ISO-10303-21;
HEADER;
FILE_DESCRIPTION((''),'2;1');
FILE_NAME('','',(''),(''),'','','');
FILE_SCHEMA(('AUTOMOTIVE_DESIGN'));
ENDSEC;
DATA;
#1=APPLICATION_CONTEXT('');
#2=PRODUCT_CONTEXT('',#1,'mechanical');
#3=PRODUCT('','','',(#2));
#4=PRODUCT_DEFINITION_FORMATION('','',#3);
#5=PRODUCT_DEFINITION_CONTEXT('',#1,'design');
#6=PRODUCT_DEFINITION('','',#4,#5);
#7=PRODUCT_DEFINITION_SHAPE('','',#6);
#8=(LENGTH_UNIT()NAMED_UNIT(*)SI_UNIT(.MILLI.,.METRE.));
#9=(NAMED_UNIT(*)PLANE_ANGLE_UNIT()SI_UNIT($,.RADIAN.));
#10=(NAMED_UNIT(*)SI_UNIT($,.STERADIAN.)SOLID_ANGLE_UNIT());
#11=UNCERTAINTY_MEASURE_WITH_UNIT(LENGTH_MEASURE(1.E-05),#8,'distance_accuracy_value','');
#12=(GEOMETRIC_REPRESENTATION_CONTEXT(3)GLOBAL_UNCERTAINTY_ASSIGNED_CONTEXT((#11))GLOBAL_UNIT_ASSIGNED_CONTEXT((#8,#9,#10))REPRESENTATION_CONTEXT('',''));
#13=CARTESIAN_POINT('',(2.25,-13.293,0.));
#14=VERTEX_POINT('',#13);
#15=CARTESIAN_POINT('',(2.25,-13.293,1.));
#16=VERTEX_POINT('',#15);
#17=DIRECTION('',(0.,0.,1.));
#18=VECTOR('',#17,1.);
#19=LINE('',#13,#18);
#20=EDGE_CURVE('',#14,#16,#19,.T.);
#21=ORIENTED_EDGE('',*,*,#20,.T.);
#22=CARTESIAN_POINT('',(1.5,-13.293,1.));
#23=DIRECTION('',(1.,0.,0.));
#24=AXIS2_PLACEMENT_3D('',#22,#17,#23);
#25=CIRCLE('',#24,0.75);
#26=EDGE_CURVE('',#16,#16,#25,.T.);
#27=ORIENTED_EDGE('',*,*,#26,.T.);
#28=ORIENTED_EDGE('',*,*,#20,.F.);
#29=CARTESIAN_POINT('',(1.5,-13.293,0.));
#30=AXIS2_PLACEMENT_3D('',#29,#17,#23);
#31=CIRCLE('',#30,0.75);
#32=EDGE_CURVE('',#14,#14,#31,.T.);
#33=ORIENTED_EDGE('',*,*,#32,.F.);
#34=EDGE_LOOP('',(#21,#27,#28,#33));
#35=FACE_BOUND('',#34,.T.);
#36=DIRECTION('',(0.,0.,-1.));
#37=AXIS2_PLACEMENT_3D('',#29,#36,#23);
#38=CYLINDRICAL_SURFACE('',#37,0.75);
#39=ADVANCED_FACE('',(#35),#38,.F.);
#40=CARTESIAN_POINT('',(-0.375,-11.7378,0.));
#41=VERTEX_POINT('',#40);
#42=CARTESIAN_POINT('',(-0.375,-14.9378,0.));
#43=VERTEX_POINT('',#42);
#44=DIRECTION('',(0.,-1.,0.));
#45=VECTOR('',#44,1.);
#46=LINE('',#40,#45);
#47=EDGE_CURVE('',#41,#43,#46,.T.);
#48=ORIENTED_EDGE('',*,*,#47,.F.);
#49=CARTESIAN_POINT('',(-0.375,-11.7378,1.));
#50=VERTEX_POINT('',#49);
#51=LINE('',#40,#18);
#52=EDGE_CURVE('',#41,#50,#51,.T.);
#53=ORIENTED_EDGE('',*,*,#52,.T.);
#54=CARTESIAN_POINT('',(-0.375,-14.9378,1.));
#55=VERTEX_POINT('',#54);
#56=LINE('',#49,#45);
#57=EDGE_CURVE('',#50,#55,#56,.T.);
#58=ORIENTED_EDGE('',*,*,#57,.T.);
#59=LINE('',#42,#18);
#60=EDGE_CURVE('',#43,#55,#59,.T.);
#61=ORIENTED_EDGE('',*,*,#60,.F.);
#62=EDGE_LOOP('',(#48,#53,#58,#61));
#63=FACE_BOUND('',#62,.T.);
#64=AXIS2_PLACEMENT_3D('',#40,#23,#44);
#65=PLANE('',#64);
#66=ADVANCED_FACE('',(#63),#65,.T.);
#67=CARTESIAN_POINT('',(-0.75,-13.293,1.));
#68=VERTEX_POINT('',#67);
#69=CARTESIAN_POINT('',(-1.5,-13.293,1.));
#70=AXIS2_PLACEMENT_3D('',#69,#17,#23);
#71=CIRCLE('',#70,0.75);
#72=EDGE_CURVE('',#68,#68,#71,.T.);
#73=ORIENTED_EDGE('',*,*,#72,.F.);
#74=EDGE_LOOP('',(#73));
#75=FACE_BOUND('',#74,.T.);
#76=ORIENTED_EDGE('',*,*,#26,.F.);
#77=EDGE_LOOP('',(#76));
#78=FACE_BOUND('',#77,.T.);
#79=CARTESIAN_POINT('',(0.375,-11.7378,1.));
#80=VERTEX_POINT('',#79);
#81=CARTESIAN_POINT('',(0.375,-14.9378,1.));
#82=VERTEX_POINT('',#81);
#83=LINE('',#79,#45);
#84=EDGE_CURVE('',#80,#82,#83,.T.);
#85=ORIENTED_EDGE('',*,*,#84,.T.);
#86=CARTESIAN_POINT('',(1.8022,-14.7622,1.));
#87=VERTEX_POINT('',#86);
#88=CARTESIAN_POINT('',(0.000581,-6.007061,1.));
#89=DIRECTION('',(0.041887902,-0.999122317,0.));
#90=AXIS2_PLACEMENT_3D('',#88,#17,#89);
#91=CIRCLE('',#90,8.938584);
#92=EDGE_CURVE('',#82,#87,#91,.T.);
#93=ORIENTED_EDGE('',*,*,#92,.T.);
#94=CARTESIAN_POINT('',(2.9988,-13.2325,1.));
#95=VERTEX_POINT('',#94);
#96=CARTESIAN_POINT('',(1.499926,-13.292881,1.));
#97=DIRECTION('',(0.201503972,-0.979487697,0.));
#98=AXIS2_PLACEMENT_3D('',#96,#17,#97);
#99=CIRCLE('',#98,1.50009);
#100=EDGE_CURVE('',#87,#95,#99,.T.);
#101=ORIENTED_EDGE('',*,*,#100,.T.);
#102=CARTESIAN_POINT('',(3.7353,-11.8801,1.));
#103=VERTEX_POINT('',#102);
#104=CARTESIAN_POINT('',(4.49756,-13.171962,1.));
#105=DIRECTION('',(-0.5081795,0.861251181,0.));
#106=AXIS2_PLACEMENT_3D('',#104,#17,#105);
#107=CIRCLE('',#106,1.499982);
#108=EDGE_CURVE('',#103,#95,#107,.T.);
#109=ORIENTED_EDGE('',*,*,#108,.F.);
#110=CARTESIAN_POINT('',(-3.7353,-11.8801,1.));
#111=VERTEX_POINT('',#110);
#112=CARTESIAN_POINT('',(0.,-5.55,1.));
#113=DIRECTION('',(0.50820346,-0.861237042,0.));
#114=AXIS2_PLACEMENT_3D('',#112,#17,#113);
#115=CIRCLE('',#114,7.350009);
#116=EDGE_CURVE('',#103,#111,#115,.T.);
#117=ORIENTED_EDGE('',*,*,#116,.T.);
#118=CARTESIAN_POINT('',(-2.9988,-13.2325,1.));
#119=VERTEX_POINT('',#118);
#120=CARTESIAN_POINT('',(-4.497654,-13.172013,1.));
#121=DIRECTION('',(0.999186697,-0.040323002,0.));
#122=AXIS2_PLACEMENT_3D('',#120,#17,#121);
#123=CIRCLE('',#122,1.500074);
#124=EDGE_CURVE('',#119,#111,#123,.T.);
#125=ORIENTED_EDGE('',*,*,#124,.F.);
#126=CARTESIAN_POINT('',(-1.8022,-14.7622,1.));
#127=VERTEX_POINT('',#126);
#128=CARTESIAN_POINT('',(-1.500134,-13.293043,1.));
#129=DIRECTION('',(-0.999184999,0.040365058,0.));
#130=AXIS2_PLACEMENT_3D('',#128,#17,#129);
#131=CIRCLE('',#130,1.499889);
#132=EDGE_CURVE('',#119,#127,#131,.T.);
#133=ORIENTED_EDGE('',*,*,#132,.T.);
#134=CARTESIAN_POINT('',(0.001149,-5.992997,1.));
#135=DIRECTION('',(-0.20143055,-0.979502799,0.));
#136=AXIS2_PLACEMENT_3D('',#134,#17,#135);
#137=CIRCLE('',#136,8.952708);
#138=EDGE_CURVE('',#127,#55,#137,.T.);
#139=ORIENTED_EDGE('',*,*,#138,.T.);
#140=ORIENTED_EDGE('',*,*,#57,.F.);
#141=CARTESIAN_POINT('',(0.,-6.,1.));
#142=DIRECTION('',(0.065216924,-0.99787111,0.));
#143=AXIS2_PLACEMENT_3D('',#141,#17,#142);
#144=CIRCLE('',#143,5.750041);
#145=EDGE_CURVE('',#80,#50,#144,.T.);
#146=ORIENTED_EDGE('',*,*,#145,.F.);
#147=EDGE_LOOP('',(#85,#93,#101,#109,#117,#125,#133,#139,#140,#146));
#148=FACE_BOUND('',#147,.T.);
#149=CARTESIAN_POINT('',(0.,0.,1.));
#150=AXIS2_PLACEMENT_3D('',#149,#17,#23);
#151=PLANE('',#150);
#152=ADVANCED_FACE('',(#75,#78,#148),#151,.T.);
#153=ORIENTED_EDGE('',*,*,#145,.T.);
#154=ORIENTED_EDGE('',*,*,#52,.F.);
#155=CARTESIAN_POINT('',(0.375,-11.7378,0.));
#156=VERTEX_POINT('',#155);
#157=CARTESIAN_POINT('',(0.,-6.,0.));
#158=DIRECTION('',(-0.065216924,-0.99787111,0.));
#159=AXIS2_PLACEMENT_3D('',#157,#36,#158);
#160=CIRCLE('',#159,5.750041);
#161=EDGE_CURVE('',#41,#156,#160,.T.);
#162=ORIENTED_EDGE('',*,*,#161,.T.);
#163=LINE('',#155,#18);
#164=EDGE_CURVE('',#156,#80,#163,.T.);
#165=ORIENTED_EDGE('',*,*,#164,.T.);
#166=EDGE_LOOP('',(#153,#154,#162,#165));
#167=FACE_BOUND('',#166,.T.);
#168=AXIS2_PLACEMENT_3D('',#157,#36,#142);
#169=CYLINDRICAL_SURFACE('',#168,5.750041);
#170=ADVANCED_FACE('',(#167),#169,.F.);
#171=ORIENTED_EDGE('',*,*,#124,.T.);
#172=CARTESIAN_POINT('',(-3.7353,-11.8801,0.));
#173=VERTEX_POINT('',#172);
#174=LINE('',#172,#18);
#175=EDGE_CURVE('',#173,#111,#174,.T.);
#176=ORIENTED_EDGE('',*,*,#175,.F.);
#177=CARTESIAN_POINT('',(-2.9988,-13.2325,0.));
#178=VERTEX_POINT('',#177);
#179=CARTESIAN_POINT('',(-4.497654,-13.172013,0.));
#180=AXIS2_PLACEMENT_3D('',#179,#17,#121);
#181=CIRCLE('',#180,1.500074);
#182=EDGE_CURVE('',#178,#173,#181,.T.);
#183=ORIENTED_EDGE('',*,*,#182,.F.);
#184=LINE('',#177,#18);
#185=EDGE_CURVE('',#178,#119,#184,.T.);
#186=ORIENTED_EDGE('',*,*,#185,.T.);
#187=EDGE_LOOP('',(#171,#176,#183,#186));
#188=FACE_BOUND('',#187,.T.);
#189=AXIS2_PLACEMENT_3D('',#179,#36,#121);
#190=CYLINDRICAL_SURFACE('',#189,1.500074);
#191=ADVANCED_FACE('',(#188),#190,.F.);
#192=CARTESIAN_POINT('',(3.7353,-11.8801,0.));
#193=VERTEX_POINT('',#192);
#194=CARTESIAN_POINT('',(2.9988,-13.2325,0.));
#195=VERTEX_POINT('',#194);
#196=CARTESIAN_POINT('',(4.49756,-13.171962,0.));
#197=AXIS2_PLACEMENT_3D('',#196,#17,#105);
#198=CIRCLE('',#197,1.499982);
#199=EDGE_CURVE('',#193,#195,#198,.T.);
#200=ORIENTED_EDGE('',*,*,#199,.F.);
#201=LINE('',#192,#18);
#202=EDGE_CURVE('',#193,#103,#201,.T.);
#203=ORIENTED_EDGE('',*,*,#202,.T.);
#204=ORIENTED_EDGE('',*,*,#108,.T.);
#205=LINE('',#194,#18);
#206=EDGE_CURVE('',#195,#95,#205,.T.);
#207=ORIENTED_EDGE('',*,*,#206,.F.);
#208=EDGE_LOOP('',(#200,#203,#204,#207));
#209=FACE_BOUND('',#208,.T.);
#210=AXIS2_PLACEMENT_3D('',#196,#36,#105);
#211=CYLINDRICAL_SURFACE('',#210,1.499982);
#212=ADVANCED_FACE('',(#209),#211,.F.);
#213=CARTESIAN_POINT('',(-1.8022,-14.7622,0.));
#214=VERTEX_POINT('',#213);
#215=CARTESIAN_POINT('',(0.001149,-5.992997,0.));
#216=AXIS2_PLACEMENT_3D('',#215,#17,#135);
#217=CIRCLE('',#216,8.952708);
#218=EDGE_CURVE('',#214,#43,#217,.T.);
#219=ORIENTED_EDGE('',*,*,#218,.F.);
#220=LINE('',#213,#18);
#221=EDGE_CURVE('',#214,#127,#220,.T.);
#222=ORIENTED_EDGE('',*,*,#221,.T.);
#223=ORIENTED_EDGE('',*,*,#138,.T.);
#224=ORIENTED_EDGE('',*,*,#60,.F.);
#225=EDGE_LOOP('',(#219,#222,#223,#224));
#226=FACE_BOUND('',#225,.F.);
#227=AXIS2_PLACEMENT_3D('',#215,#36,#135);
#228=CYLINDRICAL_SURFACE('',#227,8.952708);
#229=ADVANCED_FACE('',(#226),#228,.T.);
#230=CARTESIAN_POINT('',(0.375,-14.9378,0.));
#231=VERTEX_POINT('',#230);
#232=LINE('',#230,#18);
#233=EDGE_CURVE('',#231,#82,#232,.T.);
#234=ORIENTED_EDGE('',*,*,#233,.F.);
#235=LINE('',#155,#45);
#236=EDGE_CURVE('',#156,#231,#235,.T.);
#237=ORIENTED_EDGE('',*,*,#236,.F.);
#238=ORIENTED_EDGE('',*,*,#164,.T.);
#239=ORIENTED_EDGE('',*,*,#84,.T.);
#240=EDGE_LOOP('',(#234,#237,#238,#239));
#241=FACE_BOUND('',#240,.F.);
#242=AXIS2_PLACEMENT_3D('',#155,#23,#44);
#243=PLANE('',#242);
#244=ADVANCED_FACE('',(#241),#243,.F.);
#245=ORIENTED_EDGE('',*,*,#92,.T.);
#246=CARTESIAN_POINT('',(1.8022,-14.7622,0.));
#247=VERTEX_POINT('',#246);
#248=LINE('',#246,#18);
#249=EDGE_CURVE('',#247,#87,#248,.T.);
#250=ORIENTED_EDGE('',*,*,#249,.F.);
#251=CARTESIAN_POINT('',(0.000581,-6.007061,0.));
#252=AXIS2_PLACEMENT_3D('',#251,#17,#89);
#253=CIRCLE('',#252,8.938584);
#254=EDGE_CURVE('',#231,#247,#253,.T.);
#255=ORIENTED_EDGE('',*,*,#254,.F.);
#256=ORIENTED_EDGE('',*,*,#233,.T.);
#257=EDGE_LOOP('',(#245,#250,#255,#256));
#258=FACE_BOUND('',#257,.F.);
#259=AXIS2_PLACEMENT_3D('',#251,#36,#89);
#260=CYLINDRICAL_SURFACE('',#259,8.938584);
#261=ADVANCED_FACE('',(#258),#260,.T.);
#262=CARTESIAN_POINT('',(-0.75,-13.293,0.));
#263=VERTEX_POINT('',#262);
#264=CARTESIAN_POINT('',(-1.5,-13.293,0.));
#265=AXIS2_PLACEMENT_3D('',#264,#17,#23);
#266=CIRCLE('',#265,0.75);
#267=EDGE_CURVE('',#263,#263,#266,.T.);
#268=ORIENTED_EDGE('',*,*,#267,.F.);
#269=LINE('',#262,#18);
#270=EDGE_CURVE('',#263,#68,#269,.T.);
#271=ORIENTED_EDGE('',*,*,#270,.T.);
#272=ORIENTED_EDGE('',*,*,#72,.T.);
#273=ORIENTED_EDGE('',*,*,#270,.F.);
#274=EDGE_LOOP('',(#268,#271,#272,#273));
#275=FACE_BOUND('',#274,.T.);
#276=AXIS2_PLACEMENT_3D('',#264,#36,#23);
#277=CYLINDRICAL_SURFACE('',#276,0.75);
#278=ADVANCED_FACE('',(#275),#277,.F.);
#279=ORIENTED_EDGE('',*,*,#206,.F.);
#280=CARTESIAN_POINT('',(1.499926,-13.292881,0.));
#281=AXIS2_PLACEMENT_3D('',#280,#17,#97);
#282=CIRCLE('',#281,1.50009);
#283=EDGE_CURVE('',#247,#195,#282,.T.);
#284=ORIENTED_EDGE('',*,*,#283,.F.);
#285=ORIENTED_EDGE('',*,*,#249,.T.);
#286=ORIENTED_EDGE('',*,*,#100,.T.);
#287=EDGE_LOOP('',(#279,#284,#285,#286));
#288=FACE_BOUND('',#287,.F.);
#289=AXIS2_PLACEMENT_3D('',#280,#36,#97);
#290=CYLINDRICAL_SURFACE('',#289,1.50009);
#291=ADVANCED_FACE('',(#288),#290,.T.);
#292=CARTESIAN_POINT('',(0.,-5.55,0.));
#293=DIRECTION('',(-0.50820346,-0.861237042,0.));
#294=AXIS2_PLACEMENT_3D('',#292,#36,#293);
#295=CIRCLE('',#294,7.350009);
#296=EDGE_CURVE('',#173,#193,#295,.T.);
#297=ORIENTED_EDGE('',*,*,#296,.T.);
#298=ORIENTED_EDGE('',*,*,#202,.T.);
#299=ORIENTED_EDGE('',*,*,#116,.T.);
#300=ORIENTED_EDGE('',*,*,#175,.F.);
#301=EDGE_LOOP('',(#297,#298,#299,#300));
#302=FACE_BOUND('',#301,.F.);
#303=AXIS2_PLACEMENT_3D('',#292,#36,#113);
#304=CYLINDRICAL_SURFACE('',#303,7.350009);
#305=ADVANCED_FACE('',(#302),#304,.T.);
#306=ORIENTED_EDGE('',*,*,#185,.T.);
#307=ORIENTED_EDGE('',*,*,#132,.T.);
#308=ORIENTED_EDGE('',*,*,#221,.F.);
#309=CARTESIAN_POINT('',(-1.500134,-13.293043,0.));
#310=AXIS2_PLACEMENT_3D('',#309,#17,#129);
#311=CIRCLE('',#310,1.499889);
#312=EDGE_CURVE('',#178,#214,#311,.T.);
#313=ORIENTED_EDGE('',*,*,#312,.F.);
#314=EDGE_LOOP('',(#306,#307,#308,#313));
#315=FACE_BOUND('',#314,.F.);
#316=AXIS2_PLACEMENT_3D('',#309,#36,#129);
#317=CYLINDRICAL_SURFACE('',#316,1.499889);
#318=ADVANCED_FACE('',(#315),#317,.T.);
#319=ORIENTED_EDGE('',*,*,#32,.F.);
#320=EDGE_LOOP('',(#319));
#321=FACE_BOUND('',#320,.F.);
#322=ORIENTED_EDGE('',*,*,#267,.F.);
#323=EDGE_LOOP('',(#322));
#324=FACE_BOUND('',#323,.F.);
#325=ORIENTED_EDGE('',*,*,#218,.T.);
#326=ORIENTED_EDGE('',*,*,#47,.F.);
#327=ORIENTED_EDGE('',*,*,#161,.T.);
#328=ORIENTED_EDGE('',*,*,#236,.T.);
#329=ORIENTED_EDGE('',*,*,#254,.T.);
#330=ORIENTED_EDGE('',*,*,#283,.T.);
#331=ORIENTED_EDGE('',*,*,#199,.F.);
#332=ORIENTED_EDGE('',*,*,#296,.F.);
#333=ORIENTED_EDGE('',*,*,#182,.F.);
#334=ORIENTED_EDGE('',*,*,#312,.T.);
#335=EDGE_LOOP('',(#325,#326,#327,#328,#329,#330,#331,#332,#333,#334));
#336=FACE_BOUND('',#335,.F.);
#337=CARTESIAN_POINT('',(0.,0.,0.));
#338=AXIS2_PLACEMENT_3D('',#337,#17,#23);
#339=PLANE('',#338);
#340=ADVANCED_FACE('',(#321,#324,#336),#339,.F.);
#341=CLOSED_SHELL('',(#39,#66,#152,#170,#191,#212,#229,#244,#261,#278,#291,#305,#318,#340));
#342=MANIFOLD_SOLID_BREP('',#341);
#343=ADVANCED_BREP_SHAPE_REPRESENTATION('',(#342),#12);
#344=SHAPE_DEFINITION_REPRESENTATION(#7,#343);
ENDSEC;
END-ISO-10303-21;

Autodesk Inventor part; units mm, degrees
ref_plane "YZ Plane" through (0, 0, 0) normal (1, 0, 0) x (0, 1, 0)
ref_plane "XZ Plane" through (0, 0, 0) normal (0, 1, 0) x (-1, 0, 0)
sketch "Sketch1" plane through (0, 0, 0) normal (0, 0, 1) x (1, 0, 0)
  line L0 (-6, 0) -> (6, 0) construction
  arc A0 (0.375, -11.7378) -> (-0.375, -11.7378) centre (0, -6) ccw
  line L1 (0, 5.1564) -> (0, -18.3384) projected
  line L2 (-10.29, 0) -> (10.29, 0) projected
  line L3 (-0.375, -11.7378) -> (-0.375, -14.9378)
  line L4 (-0.375, -6.5402) -> (-0.375, -13.29) construction
  line L5 (-2.7947, 1.8) -> (3.6722, 1.8) construction
  arc A1 (3.7353, -11.8801) -> (-3.7353, -11.8801) centre (0, -5.55) ccw
  arc A2 (-1.8022, -14.7622) -> (-0.375, -14.9378) centre (0, -6) ccw
  arc A3 (-2.9988, -13.2325) -> (-1.8022, -14.7622) centre (-1.5, -13.293) ccw
  arc A4 (-2.9988, -13.2325) -> (-3.7353, -11.8801) centre (-4.4976, -13.172) ccw
  line L6 (0.375, -11.7378) -> (0.375, -14.9378)
  line L7 (0.375, -6.5402) -> (0.375, -13.29) construction
  arc A5 (0.375, -14.9378) -> (1.8022, -14.7622) centre (0, -6) ccw
  arc A6 (1.8022, -14.7622) -> (2.9988, -13.2325) centre (1.5, -13.293) ccw
  arc A7 (3.7353, -11.8801) -> (2.9988, -13.2325) centre (4.4976, -13.172) ccw
  circle A8 centre (-1.5, -13.293) radius 0.75
  circle A9 centre (1.5, -13.293) radius 0.75
  dimension "d0" = 11.5
  dimension "d1" = 3.2
  dimension "d6" = 0.375
  dimension "d7" = 1.8
  dimension "d8" = 0.45
  dimension "d9" = 1.5
  dimension "d10" = 1.5
  dimension "d11" = 1.125
  dimension "d12" = 1.5
  dimension "d13" = 1.5
  dimension "d14" = 6
extrude "Body" add sketch "Sketch1" along normal blind 1
ref_plane "Work Plane1" through (0, -6, 0) normal (1, 0, 0) x (0, 0, 1)
equation "\"d0\" = ND"
equation "\"d1\" = SRB2"
equation "\"d6\" = 0.25 * SD5"
equation "\"d7\" = SRB1"
equation "\"d8\" = 0.25 * SRB1"
equation "\"d9\" = SD5"
equation "\"d10\" = SD5"
equation "\"d11\" = 0.75 * SD5"
equation "\"d12\" = SD5"
equation "\"d13\" = SD5"
equation "\"d14\" = 0.5 * WD"
equation "\"d2\" = SD"
equation "\"WD\" = WDMIN"
equation "\"SD\" = 1"
equation "\"SRB1\" = 1.8"
equation "\"ND\" = 11.5"
equation "\"SRB2\" = 3.2"
equation "\"SD5\" = 1.5"
equation "\"WDMIN\" = 12"
equation "\"SD3\" = 11.1"
equation "\"WDMAX\" = 13"
properties part number "401-01" material "Steel, High Strength Low Alloy"
